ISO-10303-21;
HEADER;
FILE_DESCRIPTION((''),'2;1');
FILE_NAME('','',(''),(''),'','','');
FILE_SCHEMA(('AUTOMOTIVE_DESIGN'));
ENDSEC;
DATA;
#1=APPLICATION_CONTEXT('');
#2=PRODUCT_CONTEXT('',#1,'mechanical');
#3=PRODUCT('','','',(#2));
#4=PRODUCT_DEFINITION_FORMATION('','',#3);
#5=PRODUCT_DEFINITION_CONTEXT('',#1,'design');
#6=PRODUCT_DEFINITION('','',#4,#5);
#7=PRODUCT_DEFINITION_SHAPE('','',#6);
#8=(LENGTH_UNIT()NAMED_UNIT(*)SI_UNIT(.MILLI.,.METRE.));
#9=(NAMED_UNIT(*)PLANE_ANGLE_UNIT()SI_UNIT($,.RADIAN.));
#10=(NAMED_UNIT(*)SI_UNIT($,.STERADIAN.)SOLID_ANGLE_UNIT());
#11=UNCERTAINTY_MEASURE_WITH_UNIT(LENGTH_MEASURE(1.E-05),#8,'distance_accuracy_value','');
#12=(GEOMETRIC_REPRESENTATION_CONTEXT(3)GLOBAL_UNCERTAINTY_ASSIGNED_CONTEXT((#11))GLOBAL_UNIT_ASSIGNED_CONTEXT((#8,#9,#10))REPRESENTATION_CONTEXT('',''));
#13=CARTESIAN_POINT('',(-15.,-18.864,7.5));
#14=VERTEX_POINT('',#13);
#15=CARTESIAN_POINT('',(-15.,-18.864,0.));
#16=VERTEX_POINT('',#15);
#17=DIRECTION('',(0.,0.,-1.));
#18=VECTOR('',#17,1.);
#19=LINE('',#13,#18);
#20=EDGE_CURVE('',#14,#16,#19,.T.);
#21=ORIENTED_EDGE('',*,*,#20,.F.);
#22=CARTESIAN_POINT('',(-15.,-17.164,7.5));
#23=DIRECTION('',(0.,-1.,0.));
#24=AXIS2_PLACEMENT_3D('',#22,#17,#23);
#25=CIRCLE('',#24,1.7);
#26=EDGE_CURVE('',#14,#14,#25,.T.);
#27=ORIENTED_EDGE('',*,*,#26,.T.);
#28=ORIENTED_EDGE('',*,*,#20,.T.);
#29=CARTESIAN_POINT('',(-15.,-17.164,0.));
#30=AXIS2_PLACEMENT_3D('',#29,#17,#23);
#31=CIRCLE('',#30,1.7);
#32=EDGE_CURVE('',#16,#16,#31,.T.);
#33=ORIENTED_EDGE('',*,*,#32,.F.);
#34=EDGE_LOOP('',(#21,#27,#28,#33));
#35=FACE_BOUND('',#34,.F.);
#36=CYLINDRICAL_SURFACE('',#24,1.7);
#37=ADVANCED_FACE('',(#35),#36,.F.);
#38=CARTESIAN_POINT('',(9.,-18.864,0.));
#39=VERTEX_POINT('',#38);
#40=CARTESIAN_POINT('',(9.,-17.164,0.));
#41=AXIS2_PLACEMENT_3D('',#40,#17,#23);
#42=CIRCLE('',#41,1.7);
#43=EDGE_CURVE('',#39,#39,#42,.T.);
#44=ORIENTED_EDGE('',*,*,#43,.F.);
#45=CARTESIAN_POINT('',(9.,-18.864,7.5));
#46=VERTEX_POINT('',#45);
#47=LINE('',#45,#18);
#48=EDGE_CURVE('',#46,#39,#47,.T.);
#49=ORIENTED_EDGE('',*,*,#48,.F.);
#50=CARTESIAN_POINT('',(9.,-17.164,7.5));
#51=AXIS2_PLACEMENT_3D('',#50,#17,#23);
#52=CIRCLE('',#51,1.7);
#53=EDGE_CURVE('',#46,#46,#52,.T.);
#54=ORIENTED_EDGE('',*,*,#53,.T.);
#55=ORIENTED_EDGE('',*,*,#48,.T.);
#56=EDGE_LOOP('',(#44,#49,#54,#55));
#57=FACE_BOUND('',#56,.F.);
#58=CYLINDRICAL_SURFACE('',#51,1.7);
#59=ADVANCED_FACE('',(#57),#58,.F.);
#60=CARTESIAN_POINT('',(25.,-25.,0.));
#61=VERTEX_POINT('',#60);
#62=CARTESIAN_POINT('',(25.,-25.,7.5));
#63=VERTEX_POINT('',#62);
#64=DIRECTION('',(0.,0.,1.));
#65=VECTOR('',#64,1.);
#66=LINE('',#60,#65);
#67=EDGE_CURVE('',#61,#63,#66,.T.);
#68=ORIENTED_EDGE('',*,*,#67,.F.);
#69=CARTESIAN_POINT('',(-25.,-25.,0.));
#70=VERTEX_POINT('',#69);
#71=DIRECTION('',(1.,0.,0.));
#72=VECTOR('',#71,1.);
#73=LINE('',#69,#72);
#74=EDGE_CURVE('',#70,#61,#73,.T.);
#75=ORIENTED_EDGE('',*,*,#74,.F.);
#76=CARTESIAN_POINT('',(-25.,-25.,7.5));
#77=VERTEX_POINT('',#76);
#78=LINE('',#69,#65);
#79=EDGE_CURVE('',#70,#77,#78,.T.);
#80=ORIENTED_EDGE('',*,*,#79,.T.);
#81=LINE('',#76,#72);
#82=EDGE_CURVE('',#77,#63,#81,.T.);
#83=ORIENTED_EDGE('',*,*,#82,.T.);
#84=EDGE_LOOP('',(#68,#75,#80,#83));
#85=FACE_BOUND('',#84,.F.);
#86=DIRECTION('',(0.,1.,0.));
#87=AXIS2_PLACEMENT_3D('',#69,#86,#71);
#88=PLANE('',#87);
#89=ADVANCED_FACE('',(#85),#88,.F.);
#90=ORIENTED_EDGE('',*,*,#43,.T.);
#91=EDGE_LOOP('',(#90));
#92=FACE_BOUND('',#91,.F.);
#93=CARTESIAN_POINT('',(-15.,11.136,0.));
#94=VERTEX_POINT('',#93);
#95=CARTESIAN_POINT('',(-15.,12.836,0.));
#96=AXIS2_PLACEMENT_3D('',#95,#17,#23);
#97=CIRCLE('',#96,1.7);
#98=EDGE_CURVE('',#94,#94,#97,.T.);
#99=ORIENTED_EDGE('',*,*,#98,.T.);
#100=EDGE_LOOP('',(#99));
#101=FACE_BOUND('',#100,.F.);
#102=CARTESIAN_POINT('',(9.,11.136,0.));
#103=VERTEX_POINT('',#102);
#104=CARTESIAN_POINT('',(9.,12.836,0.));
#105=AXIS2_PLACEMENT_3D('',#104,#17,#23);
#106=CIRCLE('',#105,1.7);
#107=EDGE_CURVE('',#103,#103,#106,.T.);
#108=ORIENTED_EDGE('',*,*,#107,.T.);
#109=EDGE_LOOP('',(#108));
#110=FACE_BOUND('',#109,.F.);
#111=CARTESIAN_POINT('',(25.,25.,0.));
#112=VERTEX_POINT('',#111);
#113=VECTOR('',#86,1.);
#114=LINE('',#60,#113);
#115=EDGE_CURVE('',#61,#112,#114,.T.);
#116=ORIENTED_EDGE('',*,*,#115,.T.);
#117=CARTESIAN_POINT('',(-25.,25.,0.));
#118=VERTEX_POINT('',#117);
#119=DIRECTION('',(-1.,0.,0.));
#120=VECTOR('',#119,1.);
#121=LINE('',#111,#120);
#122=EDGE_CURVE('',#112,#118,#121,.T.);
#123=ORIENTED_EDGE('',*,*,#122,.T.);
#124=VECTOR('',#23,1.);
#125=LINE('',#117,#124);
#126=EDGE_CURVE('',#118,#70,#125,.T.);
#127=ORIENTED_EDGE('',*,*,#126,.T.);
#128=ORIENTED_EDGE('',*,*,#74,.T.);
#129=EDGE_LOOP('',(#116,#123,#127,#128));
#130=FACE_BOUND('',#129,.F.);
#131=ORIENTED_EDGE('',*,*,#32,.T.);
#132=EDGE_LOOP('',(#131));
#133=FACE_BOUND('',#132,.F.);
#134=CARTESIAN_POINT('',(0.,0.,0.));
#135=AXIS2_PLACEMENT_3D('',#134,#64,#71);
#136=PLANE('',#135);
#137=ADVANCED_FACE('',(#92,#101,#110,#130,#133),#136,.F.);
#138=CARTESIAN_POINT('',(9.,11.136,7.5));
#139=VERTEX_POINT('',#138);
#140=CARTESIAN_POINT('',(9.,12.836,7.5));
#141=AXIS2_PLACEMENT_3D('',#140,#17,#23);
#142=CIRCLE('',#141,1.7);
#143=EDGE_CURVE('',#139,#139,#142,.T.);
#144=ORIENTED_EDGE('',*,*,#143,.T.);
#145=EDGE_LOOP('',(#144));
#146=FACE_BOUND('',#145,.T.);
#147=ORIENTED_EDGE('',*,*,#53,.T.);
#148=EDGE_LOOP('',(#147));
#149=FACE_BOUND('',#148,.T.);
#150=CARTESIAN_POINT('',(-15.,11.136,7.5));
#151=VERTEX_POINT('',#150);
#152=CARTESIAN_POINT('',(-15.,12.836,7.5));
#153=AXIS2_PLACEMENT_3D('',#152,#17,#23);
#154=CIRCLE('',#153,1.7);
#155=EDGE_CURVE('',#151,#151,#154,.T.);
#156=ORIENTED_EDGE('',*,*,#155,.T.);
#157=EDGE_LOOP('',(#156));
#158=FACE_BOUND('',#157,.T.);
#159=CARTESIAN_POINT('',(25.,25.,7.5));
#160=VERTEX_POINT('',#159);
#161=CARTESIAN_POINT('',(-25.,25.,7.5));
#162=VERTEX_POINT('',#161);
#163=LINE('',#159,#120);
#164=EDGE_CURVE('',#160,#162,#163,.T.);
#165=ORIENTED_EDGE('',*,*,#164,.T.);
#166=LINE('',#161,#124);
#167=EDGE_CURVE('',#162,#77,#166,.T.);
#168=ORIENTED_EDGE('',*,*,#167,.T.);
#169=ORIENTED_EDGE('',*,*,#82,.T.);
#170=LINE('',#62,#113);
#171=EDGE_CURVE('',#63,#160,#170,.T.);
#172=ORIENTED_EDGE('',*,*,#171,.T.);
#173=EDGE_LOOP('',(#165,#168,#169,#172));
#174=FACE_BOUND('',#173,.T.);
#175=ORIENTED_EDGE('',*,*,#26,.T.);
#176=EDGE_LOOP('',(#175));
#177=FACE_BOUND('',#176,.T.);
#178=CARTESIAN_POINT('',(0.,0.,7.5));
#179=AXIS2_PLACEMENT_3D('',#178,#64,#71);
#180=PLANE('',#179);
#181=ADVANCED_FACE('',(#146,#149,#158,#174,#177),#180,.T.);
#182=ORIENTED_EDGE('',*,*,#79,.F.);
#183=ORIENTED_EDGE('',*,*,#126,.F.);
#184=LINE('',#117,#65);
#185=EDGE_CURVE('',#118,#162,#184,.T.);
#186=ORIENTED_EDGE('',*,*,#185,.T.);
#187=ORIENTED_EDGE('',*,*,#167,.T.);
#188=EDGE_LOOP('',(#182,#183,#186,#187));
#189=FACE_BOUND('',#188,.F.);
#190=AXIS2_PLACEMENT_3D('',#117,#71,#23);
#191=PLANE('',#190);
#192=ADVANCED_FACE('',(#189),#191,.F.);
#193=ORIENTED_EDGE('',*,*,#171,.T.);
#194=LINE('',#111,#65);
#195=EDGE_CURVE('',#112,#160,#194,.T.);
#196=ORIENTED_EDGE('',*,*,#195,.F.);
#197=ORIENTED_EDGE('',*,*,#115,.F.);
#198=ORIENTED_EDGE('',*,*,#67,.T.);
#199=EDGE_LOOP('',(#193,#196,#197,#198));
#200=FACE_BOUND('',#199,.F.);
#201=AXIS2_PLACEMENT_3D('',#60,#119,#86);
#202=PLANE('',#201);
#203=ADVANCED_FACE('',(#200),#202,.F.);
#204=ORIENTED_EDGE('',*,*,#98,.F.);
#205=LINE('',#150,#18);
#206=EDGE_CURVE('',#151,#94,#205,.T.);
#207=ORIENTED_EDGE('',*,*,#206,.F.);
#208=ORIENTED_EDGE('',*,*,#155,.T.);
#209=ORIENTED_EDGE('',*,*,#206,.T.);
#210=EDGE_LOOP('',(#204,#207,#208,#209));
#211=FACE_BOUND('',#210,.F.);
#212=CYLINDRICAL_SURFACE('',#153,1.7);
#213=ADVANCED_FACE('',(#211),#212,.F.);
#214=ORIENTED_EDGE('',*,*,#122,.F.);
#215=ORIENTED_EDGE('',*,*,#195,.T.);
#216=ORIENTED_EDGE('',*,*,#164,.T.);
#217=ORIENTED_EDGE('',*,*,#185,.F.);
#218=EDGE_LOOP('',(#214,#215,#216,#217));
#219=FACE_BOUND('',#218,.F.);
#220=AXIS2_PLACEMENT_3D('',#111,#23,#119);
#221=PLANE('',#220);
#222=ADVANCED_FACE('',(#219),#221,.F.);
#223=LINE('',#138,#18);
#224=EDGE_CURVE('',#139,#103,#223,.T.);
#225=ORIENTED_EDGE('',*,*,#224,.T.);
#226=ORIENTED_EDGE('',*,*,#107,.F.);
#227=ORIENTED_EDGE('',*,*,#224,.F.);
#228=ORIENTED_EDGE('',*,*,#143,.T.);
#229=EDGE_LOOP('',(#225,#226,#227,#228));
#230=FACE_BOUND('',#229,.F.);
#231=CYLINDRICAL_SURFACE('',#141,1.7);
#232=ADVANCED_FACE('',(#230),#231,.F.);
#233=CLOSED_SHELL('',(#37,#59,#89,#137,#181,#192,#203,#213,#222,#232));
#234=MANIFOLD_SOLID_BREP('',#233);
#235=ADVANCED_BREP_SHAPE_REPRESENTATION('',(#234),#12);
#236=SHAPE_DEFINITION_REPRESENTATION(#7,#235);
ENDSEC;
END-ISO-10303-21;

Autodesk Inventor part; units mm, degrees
ref_plane "YZ Plane" through (0, 0, 0) normal (1, 0, 0) x (0, 1, 0)
ref_plane "XZ Plane" through (0, 0, 0) normal (0, 1, 0) x (-1, 0, 0)
ref_plane "XY Plane" through (0, 0, 0) normal (0, 0, 1) x (1, 0, 0)
sketch "スケッチ1" plane through (0, 0, 0) normal (0, 0, 1) x (1, 0, 0)
  line L0 (-25, -25) -> (25, -25)
  line L1 (25, -25) -> (25, 25)
  line L2 (25, 25) -> (-25, 25)
  line L3 (-25, 25) -> (-25, -25)
  line L4 (-25, -25) -> (25, 25) construction
  line L5 (25, -25) -> (-25, 25) construction
  point P0 (0, 0)
  dimension "d0" = 50
  dimension "d1" = 50
extrude "押し出し1" add sketch "スケッチ1" along normal blind 7.5
sketch "スケッチ2" plane through (0, 0, 7.5) normal (0, 0, 1) x (1, 0, 0)
  line L0 (-25, 25) -> (-25, -25) projected
  line L1 (-25, -25) -> (25, -25) projected
  point P0 (0, 0)
  point P1 (-15, 12.836)
  point P2 (9, 12.836)
  point P3 (9, -17.164)
  point P4 (-15, -17.164)
  dimension "d4" = 10
  dimension "d5" = 10
  dimension "d6" = 30
  dimension "d7" = 30
  dimension "d8" = 24
  dimension "d16" = 7.836
  dimension "d17" = 7.836
hole "穴1" at (-15, 12.836, 7.5) at (9, 12.836, 7.5) at (9, -17.164, 7.5) at (-15, -17.164, 7.5) direction (0, 0, -1) diameter 3.4 end through all clearance for "Flat Head Machine Screw" size "M3" standard "Ansi Metric M Profile"
properties part number "20220509_知能ロボットキャスタ"
